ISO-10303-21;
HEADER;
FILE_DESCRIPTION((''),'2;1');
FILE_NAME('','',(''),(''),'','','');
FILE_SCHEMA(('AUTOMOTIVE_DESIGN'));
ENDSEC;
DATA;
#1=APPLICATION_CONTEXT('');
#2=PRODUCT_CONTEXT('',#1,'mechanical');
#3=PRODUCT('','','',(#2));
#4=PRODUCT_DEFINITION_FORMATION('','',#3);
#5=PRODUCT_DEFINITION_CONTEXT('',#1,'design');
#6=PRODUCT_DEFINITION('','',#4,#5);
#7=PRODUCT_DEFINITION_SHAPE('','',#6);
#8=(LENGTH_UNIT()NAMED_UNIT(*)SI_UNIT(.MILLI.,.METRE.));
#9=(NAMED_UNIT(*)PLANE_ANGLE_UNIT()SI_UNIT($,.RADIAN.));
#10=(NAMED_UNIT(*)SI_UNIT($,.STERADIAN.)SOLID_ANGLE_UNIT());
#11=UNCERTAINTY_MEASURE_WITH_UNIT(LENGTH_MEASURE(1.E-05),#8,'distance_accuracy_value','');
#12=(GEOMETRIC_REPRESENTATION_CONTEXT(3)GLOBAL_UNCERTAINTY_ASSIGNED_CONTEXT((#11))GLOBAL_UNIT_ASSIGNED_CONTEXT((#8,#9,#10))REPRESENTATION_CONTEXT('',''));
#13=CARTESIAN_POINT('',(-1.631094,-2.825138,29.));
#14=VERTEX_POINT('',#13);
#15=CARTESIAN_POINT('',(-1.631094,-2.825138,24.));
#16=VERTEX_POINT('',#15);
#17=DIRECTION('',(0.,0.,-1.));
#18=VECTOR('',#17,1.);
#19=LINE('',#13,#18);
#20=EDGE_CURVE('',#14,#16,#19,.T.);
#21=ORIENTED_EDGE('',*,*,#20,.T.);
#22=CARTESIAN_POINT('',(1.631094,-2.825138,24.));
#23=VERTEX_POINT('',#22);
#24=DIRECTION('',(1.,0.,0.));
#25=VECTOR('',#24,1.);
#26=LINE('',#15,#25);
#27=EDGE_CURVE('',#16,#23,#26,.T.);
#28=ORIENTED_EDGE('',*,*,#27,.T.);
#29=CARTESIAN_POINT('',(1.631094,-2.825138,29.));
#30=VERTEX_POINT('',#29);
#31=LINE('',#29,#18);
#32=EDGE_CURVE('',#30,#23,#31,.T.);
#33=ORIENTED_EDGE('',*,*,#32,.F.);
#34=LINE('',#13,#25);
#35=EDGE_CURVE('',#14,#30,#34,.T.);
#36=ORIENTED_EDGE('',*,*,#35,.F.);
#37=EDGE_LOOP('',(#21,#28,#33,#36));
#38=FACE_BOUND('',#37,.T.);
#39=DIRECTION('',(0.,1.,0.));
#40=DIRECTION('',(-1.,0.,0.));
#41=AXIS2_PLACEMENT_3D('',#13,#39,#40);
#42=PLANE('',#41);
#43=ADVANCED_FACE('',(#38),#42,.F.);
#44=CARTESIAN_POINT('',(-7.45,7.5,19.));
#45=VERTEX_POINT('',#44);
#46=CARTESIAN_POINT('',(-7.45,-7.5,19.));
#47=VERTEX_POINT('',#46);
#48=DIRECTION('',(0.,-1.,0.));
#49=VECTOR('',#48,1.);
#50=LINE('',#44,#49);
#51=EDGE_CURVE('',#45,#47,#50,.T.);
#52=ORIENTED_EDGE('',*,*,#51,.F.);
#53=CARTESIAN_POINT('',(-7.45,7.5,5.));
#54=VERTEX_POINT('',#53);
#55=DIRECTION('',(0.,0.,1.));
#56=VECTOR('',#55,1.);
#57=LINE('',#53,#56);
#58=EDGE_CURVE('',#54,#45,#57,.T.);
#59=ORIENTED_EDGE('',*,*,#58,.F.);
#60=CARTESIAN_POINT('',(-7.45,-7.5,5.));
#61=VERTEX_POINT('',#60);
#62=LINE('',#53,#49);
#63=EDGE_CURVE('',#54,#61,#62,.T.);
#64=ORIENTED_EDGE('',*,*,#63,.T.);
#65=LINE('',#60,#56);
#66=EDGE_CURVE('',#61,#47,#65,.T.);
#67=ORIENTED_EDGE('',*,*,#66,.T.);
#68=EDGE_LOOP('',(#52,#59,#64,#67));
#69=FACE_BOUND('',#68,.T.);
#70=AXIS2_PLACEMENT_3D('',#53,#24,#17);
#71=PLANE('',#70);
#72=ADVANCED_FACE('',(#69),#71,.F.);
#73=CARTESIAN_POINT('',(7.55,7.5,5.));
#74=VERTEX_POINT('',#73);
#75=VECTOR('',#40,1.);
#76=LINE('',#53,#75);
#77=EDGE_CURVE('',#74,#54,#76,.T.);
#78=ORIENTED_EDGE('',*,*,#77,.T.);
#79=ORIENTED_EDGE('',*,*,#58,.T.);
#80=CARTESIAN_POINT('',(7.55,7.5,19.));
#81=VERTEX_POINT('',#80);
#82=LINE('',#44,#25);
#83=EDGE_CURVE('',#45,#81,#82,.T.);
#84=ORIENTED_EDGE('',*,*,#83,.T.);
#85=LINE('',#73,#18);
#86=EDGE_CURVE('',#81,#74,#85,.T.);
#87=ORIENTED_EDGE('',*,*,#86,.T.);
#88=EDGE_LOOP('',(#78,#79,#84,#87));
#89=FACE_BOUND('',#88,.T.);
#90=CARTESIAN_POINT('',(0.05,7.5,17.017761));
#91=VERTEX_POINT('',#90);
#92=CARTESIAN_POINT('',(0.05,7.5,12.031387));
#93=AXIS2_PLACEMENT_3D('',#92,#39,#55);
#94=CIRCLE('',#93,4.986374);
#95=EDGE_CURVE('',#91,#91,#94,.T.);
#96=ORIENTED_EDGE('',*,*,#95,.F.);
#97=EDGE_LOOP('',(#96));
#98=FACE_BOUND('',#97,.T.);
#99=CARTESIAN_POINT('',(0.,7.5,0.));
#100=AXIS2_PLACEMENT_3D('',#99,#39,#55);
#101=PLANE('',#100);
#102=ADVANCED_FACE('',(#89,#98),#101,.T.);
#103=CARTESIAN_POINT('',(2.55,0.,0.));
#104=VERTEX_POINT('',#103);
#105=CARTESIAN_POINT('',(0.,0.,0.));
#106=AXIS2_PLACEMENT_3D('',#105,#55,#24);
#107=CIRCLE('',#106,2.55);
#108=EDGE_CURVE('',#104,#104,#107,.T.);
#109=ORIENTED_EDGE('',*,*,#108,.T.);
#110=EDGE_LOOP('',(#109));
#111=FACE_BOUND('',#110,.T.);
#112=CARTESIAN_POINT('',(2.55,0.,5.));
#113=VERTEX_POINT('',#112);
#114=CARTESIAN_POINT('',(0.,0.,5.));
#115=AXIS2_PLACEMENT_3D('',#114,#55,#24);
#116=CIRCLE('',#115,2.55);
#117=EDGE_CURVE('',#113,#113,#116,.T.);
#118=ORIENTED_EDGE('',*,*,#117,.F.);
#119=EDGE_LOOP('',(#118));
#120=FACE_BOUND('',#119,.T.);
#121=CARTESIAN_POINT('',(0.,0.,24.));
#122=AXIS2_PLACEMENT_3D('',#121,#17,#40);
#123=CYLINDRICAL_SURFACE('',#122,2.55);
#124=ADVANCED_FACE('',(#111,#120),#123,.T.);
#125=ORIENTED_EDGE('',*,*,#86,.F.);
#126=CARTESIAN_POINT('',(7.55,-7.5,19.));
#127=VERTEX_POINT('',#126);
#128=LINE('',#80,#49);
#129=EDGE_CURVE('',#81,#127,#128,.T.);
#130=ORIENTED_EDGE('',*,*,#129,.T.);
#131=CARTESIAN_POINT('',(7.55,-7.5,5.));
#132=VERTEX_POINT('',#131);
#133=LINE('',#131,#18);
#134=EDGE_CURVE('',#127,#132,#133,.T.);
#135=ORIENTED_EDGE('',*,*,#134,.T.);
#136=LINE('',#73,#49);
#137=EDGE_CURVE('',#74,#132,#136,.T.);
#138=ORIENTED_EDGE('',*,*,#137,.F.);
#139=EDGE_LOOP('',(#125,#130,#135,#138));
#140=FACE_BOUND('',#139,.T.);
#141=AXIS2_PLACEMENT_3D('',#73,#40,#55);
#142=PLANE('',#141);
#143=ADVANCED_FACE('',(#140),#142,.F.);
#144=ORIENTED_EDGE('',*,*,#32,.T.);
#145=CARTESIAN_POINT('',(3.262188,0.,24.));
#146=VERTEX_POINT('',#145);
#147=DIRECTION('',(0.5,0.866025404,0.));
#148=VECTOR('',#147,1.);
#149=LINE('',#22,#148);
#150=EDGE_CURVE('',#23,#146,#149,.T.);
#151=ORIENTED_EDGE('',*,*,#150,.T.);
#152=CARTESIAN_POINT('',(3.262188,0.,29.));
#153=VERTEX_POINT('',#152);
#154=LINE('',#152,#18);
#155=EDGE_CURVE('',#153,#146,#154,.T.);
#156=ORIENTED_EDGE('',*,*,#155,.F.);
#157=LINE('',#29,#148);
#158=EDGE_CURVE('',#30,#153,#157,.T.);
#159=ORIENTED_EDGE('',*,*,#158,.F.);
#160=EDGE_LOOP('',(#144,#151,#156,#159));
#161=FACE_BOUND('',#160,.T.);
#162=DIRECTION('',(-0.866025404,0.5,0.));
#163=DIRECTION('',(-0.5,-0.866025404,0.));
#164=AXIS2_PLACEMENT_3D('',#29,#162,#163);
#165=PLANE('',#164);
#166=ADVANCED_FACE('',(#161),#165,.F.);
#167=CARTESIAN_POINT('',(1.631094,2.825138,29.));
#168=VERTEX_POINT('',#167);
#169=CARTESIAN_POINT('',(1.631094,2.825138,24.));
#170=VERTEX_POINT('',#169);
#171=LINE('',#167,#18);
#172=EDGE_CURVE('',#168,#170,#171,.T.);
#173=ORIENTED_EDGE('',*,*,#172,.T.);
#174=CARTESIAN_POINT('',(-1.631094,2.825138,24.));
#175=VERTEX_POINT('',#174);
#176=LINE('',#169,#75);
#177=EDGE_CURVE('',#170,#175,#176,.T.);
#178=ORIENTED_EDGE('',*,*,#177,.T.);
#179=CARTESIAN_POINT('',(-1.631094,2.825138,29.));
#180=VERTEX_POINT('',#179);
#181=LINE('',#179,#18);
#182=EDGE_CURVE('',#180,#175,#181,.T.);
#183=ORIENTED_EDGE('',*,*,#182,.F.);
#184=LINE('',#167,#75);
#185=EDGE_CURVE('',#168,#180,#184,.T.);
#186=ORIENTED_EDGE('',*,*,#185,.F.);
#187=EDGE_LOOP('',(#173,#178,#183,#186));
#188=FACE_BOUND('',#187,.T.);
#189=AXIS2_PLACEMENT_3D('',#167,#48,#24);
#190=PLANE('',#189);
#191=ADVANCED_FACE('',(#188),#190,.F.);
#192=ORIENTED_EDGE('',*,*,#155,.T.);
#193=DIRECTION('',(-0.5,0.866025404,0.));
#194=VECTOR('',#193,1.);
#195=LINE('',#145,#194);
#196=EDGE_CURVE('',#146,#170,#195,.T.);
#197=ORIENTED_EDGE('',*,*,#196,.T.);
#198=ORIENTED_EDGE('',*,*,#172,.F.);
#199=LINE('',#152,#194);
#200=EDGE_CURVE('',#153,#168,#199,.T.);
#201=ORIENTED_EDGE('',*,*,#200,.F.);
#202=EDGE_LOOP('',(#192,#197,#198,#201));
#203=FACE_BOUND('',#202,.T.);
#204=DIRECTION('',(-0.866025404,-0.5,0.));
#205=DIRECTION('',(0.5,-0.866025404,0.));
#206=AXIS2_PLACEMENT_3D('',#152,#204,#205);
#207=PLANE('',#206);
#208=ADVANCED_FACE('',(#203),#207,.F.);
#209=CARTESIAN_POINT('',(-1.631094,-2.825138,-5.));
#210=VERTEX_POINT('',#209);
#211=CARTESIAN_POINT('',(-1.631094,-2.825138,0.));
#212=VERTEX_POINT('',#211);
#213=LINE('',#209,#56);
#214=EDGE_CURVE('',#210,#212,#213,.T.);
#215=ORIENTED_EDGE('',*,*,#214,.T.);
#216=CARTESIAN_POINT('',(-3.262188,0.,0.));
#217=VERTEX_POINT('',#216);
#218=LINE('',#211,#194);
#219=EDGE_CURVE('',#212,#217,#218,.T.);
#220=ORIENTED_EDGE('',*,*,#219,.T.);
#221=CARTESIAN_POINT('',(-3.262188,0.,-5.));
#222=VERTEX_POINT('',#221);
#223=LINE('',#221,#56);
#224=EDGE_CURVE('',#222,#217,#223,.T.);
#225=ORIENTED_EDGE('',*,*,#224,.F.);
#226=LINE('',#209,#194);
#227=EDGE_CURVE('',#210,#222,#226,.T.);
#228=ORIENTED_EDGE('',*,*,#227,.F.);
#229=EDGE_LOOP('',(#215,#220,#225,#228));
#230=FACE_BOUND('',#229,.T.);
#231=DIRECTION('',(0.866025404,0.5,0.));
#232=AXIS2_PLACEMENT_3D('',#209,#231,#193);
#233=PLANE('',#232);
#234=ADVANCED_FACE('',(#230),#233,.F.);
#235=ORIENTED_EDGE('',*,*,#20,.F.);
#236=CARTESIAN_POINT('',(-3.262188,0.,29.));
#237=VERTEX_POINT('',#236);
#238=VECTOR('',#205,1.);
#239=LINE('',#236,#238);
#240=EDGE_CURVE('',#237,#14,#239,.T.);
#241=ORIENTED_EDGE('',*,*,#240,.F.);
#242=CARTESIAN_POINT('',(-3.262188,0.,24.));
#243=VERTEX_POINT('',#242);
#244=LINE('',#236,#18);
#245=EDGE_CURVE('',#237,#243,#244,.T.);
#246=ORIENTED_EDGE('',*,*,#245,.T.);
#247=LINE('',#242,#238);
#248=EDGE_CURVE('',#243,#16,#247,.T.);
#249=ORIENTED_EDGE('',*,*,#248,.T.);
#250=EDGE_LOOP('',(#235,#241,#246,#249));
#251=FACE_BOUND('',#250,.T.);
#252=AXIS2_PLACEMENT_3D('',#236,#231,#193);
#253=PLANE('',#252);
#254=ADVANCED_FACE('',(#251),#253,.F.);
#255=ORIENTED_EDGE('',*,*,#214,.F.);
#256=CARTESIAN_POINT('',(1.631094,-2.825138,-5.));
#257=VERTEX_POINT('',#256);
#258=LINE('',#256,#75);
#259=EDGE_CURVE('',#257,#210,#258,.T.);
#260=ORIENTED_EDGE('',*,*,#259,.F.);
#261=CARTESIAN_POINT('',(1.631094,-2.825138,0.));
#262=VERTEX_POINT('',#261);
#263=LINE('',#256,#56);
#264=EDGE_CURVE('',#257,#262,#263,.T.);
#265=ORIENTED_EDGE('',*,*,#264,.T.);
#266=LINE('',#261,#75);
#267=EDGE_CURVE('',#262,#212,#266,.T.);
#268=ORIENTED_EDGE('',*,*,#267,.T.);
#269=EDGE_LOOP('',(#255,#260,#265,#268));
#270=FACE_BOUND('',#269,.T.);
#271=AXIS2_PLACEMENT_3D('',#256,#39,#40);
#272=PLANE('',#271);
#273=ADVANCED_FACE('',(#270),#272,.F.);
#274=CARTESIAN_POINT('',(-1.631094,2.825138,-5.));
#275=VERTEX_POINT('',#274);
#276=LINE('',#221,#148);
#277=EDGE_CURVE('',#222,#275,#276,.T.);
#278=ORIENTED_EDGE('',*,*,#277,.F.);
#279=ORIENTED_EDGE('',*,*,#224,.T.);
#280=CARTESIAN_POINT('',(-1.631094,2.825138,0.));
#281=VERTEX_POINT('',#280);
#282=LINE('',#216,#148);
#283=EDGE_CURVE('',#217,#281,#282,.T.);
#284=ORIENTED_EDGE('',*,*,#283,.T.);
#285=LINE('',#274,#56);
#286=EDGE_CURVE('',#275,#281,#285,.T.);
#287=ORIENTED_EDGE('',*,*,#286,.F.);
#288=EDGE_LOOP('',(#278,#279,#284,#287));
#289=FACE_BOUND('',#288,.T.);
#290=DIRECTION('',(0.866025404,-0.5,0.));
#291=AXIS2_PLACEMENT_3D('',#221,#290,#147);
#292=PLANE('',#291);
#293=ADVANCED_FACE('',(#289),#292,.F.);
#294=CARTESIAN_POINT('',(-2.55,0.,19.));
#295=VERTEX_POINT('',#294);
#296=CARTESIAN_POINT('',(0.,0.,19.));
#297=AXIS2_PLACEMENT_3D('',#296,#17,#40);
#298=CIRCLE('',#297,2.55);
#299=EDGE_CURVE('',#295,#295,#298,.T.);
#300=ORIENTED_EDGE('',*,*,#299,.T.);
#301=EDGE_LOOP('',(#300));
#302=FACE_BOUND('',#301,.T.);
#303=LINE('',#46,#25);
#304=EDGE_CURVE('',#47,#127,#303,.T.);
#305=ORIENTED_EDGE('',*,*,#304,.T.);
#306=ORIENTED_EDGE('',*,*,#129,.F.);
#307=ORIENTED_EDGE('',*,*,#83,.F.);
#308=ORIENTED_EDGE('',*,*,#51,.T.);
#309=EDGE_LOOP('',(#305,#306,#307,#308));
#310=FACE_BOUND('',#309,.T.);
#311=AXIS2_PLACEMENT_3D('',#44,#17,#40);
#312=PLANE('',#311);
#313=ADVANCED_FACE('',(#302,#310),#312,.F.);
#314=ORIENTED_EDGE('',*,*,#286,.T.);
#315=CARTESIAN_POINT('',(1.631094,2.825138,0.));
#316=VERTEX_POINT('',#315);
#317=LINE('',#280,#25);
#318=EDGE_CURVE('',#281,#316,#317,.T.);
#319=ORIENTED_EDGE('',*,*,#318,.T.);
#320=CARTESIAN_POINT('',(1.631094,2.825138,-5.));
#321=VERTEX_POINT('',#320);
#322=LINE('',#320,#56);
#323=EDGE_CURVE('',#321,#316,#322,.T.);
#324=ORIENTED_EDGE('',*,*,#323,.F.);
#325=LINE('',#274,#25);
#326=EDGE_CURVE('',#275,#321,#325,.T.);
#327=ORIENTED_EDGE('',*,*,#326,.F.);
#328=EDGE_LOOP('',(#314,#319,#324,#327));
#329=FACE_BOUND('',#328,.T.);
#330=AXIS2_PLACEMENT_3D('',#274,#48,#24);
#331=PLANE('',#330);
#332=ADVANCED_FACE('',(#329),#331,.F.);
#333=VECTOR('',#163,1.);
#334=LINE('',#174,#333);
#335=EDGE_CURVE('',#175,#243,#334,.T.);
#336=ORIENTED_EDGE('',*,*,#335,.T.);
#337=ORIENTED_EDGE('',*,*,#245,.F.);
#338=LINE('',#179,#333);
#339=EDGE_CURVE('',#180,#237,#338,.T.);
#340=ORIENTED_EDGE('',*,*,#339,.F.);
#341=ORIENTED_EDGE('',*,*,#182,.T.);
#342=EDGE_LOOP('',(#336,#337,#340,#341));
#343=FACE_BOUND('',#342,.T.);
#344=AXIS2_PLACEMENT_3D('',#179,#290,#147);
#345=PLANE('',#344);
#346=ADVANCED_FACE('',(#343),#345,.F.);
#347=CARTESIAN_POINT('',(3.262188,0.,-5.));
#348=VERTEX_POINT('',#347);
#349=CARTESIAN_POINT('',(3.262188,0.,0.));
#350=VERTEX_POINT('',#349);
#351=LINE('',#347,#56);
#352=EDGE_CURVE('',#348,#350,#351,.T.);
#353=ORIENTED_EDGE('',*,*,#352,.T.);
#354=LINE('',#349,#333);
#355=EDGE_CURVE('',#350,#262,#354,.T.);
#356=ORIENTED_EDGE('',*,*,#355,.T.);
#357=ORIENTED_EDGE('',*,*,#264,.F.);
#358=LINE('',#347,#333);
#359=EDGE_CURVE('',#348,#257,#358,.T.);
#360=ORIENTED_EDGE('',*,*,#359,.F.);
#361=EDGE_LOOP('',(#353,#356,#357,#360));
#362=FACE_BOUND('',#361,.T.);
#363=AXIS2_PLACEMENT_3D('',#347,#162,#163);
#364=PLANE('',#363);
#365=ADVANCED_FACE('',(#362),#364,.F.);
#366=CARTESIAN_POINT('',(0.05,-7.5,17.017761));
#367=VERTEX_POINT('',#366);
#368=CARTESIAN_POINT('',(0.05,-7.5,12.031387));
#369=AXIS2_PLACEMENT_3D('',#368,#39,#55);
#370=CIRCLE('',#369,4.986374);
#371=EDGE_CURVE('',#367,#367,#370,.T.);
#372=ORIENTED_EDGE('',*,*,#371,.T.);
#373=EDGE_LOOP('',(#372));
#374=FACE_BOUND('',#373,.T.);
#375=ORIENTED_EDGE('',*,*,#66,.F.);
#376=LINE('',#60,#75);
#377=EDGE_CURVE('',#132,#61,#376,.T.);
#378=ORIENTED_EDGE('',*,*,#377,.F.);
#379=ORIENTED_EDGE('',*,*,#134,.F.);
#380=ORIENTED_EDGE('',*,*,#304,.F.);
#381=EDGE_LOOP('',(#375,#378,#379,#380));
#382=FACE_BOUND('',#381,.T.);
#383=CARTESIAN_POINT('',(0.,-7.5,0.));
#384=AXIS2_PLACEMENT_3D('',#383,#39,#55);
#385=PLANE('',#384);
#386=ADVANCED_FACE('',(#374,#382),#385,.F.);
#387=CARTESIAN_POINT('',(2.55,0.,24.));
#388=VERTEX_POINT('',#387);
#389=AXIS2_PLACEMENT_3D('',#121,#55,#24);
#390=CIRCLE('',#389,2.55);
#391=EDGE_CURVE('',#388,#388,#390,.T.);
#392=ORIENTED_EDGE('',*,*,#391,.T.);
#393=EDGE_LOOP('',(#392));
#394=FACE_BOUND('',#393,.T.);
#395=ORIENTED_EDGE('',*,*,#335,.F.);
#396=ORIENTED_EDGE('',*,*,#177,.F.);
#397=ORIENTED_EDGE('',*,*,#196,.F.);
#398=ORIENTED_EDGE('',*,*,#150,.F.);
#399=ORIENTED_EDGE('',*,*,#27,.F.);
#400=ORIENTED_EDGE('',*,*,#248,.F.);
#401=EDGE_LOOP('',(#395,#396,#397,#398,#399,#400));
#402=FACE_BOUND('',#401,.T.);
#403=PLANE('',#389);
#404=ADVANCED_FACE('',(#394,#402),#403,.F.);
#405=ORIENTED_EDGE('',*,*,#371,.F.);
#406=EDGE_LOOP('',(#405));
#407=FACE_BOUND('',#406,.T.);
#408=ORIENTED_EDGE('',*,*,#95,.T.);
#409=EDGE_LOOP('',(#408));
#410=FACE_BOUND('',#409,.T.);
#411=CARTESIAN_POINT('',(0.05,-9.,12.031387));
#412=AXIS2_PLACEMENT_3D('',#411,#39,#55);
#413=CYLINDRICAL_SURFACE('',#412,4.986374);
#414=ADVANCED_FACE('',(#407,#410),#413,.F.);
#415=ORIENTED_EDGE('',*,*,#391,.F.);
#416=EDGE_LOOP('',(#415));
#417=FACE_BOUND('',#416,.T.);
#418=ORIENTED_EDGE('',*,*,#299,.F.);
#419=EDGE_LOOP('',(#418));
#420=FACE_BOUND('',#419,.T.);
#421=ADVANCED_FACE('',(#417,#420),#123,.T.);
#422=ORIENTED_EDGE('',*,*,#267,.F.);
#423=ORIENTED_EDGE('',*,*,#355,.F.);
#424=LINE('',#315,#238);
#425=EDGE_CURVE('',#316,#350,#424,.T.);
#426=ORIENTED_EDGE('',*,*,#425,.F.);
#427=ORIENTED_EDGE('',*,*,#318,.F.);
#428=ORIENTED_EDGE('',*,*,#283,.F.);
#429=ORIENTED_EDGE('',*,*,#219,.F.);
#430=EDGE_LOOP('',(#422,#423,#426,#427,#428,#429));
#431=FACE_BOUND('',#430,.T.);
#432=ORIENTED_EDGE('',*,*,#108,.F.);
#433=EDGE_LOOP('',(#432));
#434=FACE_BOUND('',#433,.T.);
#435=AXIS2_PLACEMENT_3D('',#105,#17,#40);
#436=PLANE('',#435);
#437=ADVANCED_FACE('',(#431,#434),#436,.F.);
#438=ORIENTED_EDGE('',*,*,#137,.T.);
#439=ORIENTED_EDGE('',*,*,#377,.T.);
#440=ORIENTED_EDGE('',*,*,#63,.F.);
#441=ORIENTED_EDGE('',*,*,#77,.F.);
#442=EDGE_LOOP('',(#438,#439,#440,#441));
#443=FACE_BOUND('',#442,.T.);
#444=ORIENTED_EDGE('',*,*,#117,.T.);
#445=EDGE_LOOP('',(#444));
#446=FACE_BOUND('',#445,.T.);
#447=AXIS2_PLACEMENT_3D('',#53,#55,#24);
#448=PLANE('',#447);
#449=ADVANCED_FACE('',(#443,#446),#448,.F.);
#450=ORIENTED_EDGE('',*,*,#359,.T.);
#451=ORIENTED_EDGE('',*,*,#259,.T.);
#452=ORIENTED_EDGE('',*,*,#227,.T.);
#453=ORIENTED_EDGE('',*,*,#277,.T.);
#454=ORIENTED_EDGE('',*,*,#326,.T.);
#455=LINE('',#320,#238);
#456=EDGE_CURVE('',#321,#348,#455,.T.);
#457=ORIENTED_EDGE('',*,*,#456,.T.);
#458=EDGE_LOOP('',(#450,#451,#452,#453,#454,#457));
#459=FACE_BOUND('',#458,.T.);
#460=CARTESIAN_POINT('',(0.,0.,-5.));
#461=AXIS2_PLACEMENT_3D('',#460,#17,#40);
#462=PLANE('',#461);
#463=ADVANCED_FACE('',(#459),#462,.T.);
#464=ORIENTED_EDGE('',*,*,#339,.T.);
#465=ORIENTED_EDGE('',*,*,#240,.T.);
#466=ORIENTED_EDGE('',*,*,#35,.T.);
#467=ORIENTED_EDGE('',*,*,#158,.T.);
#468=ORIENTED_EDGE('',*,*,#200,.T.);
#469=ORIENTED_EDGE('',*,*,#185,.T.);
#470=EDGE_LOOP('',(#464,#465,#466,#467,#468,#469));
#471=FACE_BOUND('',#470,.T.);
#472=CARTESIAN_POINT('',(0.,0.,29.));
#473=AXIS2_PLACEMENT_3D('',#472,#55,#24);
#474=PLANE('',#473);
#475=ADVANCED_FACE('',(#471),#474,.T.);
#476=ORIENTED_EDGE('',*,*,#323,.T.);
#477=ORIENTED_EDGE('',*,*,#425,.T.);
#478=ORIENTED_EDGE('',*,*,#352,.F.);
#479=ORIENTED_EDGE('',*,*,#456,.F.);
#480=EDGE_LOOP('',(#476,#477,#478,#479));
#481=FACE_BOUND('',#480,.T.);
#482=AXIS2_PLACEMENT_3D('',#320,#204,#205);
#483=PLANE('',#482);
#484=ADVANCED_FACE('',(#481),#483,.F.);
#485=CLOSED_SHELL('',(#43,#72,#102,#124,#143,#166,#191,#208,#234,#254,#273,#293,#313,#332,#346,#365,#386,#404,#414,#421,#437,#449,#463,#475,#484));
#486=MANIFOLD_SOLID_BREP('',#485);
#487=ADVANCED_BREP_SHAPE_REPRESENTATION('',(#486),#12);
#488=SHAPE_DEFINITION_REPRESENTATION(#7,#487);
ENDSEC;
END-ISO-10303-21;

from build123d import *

# Parameters (mm, degrees)
SKETCH1_R                = 2.55
BOSS_EXTRUDE1_DEPTH      = 24
BOSS_EXTRUDE2_DEPTH      = 5
BOSS_EXTRUDE3_DEPTH      = 5
BOSS_EXTRUDE5_DEPTH      = 7.5
BOSS_EXTRUDE5_DEPTH_BACK = 7.5
SKETCH4_W                = 15
SKETCH4_H                = 14
SKETCH9_R                = 4.986373578
CUT_EXTRUDE2_DEPTH       = 16.5


with BuildPart() as part:
    # Sketch1 → Boss-Extrude1 (new body)
    with BuildSketch(Plane.XY):
        Circle(SKETCH1_R)
    extrude(amount=BOSS_EXTRUDE1_DEPTH)

    # Sketch2 → Boss-Extrude2 (add)
    with BuildSketch(Plane.XY.offset(24)):
        Polygon((3.262188456, 0), (1.631094228, 2.825138074), (-1.631094228, 2.825138074), (-3.262188456, 0), (-1.631094228, -2.825138074), (1.631094228, -2.825138074), align=None)
    extrude(amount=BOSS_EXTRUDE2_DEPTH)

    # Sketch3 → Boss-Extrude3 (add)
    with BuildSketch(Plane(origin=(0, 0, 0), x_dir=(-1, 0, 0), z_dir=(0, 0, -1))):
        Polygon((3.262188456, 0), (1.631094228, 2.825138074), (-1.631094228, 2.825138074), (-3.262188456, 0), (-1.631094228, -2.825138074), (1.631094228, -2.825138074), align=None)
    extrude(amount=BOSS_EXTRUDE3_DEPTH)

    # Sketch4 → Boss-Extrude5 (add, two sides: drawn at the far end of the back side and taken through both)
    with BuildSketch(Plane(origin=(0, 0, 0), x_dir=(1, 0, 0), z_dir=(0, 1, 0)).offset(-BOSS_EXTRUDE5_DEPTH_BACK)):
        with Locations((0.05, -12)):
            Rectangle(SKETCH4_W, SKETCH4_H)
    extrude(amount=BOSS_EXTRUDE5_DEPTH + BOSS_EXTRUDE5_DEPTH_BACK)

    # Sketch9 → Cut-Extrude2 (cut)
    with BuildSketch(Plane(origin=(0, 7.5, 0), x_dir=(1, 0, 0), z_dir=(0, 1, 0))):
        with Locations(Location((0.05, -12.031387259, 0), (0, 0, 270))):
            Circle(SKETCH9_R)
    extrude(amount=-CUT_EXTRUDE2_DEPTH, mode=Mode.SUBTRACT)


solid = part.part
